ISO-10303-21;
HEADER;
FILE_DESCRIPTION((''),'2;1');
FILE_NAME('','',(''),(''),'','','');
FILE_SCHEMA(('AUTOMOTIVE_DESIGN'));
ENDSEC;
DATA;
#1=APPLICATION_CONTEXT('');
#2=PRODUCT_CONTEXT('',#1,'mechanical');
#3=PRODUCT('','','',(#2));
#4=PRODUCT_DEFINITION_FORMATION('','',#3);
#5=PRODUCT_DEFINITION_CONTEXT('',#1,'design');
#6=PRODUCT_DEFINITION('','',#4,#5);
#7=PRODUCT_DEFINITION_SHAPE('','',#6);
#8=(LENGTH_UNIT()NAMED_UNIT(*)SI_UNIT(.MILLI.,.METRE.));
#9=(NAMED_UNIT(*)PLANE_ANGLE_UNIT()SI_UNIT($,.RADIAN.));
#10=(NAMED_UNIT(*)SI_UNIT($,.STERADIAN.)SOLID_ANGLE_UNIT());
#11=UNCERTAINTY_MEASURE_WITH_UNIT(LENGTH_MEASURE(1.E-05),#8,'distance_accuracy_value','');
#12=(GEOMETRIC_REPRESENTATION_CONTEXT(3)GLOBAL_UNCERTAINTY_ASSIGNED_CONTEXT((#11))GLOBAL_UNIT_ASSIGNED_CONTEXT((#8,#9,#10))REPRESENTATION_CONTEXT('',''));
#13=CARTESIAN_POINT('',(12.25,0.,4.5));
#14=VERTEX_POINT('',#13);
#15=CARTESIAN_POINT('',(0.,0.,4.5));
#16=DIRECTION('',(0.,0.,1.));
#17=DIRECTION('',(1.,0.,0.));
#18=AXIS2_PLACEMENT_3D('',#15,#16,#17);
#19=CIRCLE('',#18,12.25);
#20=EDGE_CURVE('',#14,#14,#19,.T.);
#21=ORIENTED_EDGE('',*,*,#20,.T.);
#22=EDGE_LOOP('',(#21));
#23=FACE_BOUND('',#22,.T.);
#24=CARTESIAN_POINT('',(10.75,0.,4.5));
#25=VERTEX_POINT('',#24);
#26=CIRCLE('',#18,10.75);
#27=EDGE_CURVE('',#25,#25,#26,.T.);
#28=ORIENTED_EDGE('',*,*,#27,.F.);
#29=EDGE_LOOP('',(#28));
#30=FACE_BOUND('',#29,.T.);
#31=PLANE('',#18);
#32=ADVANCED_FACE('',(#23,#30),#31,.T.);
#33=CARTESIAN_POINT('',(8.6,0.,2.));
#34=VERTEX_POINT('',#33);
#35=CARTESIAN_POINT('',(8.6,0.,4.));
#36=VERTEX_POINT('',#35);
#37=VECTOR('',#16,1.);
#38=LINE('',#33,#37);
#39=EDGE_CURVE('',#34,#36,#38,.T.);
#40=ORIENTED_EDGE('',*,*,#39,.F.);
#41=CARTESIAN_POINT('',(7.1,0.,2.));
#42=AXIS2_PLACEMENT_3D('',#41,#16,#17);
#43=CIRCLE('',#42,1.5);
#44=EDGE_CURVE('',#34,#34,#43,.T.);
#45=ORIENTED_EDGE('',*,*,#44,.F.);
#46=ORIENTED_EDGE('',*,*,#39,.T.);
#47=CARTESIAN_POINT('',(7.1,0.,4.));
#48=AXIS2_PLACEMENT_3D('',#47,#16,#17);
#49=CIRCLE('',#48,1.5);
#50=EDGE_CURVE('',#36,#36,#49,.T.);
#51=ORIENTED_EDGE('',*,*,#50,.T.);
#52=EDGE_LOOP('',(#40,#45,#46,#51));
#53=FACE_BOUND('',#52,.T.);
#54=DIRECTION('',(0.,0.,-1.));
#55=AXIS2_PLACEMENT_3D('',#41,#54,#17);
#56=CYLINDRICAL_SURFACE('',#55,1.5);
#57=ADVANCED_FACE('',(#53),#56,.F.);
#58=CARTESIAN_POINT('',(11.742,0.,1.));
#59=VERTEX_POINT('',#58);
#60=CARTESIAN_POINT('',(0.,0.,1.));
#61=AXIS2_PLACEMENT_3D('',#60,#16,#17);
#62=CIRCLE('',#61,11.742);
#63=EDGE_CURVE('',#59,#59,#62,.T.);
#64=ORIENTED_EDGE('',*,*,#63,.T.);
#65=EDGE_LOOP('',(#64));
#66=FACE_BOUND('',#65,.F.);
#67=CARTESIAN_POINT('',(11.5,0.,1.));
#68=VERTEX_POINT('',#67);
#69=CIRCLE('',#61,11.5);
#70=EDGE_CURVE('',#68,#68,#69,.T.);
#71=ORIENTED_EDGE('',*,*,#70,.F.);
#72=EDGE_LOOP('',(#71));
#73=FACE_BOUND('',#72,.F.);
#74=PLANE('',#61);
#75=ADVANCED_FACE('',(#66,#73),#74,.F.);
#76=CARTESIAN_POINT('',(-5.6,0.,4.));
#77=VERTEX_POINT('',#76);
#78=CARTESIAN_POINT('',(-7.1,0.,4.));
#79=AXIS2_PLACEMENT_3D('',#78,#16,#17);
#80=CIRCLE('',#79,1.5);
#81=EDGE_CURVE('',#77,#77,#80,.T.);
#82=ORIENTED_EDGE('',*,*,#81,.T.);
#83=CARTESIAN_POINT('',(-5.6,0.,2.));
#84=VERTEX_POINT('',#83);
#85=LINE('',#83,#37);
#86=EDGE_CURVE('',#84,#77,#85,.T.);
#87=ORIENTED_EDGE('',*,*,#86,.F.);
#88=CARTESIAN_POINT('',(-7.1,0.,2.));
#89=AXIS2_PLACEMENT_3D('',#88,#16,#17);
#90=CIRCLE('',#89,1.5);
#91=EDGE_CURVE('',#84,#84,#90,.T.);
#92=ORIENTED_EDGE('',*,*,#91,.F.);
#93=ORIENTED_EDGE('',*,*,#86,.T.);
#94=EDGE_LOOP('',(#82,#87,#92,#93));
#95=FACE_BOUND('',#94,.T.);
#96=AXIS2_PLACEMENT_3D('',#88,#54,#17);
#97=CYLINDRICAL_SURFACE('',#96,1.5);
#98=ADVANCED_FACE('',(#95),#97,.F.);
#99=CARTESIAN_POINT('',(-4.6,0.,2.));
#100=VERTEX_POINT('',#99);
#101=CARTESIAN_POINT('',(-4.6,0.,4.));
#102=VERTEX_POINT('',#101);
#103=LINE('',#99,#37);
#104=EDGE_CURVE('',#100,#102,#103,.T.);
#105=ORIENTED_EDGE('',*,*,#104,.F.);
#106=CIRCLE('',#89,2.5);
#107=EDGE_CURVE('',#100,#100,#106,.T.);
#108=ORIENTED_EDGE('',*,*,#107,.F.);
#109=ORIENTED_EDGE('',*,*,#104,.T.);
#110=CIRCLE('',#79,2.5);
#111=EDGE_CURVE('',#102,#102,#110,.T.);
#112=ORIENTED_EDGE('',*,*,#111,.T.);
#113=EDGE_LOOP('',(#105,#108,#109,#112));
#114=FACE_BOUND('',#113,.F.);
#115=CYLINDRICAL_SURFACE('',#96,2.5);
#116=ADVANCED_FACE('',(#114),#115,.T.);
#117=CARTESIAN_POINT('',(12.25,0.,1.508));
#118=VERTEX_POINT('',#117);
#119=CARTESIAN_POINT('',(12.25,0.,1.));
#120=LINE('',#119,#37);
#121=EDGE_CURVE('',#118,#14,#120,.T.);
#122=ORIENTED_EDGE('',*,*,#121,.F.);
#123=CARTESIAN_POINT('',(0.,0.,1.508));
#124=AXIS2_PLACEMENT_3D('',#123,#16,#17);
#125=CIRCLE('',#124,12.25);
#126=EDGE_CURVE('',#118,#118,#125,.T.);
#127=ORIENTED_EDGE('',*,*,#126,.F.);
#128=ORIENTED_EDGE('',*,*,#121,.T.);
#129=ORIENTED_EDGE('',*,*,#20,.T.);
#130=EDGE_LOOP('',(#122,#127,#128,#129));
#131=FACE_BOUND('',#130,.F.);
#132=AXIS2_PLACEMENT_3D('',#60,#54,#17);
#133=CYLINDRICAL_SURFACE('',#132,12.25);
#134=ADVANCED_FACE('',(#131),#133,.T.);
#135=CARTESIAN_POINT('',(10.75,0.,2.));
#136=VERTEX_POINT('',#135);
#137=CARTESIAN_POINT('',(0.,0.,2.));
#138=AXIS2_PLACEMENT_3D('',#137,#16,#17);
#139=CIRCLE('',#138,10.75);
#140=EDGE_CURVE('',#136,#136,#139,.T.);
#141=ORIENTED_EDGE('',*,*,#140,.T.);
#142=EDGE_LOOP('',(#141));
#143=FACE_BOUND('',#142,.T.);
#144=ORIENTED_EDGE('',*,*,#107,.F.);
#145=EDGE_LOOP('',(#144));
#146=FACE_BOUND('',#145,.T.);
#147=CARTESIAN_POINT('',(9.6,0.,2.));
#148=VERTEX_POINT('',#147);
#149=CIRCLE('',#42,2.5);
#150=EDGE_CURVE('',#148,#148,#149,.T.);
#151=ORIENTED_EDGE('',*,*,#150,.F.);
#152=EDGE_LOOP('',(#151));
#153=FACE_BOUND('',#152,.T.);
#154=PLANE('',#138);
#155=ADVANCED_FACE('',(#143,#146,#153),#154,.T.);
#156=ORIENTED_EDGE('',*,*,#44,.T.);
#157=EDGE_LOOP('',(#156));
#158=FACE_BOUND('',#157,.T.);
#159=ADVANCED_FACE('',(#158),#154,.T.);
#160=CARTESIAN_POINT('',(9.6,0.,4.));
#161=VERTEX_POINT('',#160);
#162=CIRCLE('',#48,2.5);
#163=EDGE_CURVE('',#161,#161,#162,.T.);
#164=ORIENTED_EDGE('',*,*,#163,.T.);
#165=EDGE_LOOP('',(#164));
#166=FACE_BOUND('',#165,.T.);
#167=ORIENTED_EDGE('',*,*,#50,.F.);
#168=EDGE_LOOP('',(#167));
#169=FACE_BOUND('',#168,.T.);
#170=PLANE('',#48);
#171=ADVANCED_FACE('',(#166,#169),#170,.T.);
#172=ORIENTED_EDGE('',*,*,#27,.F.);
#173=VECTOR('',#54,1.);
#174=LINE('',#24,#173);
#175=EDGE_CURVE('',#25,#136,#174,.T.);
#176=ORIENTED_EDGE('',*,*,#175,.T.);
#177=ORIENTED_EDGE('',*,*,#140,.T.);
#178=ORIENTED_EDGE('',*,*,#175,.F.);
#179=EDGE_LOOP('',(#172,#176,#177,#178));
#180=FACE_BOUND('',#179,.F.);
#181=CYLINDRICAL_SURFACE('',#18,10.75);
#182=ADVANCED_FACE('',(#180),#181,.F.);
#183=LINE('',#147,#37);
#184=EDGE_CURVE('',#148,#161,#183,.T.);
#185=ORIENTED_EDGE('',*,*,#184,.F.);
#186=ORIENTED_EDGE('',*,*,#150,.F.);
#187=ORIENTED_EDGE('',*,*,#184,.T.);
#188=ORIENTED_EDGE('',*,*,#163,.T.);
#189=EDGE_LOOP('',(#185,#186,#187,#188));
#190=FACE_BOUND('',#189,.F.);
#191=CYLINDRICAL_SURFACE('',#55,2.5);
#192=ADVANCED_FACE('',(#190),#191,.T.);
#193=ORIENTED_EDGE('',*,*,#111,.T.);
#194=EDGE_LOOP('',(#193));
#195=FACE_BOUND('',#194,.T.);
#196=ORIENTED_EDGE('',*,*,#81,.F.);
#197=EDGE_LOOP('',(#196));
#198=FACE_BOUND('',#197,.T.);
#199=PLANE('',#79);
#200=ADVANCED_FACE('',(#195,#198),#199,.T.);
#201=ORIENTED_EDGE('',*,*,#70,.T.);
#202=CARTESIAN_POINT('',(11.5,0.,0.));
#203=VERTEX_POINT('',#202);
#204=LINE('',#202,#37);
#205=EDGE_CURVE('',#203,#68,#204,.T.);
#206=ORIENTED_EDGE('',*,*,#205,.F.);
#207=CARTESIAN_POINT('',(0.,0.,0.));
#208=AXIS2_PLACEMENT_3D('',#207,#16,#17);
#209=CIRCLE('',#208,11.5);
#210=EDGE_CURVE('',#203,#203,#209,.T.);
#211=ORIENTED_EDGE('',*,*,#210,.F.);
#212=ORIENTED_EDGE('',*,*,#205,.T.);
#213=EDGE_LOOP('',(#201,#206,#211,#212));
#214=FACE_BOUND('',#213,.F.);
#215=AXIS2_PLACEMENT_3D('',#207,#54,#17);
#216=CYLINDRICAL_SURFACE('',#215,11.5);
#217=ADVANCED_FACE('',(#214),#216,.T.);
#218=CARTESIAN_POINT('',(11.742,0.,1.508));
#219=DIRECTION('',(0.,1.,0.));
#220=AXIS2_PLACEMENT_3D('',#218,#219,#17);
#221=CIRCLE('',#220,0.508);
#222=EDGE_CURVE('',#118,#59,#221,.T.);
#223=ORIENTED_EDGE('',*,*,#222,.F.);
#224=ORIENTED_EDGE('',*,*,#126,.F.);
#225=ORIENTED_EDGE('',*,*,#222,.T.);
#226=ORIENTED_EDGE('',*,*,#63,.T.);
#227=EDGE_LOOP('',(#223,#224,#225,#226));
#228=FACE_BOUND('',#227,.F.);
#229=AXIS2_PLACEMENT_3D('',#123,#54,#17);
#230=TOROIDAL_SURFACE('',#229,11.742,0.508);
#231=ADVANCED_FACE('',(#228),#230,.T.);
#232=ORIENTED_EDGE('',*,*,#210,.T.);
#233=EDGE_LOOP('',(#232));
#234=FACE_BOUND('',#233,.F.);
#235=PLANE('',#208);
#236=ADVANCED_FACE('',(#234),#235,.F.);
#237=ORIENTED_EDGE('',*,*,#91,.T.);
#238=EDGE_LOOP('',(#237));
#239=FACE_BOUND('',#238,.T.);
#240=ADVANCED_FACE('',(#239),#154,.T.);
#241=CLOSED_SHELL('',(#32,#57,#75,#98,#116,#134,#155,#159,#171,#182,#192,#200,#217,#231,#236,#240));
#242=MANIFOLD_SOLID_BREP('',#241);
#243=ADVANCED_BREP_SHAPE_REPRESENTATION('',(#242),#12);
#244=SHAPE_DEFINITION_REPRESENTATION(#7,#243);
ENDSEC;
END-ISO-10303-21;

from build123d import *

# Parameters (mm, degrees)
F0_R     = 11.5
F1_DEPTH = 1
F2_R     = 12.25
F3_DEPTH = 3.5
F4_R     = 10.75
F5_DEPTH = 2.5
F6_R     = 0.508
F7_R     = 2.5
F7_R_2   = 1.5
F8_DEPTH = 2


with BuildPart() as f1:
    # F0 (on Top) → F1 (new body)
    with BuildSketch(Plane.XY):
        Circle(F0_R)
    extrude(amount=F1_DEPTH)

    # F2 (on face) → F3 (join)
    with BuildSketch(Plane.XY.offset(1)):
        Circle(F2_R)
    extrude(amount=F3_DEPTH)

    # F4 (on face) → F5 (cut)
    with BuildSketch(Plane.XY.offset(4.5)):
        Circle(F4_R)
    extrude(amount=-F5_DEPTH, mode=Mode.SUBTRACT)

    # F6
    f6_edges = [f1.edges().sort_by_distance(p)[0] for p in [
        (-12.25, 0, 1),
    ]]
    fillet(f6_edges, radius=F6_R)

    # F7 (on face) → F8 (join)
    with BuildSketch(Plane.XY.offset(2)):
        with Locations((-7.1, 0)):
            Circle(F7_R)
        with Locations((-7.1, 0)):
            Circle(F7_R_2, mode=Mode.SUBTRACT)
        with Locations((7.1, 0)):
            Circle(F7_R)
        with Locations((7.1, 0)):
            Circle(F7_R_2, mode=Mode.SUBTRACT)
    extrude(amount=F8_DEPTH)


solid = f1.part
